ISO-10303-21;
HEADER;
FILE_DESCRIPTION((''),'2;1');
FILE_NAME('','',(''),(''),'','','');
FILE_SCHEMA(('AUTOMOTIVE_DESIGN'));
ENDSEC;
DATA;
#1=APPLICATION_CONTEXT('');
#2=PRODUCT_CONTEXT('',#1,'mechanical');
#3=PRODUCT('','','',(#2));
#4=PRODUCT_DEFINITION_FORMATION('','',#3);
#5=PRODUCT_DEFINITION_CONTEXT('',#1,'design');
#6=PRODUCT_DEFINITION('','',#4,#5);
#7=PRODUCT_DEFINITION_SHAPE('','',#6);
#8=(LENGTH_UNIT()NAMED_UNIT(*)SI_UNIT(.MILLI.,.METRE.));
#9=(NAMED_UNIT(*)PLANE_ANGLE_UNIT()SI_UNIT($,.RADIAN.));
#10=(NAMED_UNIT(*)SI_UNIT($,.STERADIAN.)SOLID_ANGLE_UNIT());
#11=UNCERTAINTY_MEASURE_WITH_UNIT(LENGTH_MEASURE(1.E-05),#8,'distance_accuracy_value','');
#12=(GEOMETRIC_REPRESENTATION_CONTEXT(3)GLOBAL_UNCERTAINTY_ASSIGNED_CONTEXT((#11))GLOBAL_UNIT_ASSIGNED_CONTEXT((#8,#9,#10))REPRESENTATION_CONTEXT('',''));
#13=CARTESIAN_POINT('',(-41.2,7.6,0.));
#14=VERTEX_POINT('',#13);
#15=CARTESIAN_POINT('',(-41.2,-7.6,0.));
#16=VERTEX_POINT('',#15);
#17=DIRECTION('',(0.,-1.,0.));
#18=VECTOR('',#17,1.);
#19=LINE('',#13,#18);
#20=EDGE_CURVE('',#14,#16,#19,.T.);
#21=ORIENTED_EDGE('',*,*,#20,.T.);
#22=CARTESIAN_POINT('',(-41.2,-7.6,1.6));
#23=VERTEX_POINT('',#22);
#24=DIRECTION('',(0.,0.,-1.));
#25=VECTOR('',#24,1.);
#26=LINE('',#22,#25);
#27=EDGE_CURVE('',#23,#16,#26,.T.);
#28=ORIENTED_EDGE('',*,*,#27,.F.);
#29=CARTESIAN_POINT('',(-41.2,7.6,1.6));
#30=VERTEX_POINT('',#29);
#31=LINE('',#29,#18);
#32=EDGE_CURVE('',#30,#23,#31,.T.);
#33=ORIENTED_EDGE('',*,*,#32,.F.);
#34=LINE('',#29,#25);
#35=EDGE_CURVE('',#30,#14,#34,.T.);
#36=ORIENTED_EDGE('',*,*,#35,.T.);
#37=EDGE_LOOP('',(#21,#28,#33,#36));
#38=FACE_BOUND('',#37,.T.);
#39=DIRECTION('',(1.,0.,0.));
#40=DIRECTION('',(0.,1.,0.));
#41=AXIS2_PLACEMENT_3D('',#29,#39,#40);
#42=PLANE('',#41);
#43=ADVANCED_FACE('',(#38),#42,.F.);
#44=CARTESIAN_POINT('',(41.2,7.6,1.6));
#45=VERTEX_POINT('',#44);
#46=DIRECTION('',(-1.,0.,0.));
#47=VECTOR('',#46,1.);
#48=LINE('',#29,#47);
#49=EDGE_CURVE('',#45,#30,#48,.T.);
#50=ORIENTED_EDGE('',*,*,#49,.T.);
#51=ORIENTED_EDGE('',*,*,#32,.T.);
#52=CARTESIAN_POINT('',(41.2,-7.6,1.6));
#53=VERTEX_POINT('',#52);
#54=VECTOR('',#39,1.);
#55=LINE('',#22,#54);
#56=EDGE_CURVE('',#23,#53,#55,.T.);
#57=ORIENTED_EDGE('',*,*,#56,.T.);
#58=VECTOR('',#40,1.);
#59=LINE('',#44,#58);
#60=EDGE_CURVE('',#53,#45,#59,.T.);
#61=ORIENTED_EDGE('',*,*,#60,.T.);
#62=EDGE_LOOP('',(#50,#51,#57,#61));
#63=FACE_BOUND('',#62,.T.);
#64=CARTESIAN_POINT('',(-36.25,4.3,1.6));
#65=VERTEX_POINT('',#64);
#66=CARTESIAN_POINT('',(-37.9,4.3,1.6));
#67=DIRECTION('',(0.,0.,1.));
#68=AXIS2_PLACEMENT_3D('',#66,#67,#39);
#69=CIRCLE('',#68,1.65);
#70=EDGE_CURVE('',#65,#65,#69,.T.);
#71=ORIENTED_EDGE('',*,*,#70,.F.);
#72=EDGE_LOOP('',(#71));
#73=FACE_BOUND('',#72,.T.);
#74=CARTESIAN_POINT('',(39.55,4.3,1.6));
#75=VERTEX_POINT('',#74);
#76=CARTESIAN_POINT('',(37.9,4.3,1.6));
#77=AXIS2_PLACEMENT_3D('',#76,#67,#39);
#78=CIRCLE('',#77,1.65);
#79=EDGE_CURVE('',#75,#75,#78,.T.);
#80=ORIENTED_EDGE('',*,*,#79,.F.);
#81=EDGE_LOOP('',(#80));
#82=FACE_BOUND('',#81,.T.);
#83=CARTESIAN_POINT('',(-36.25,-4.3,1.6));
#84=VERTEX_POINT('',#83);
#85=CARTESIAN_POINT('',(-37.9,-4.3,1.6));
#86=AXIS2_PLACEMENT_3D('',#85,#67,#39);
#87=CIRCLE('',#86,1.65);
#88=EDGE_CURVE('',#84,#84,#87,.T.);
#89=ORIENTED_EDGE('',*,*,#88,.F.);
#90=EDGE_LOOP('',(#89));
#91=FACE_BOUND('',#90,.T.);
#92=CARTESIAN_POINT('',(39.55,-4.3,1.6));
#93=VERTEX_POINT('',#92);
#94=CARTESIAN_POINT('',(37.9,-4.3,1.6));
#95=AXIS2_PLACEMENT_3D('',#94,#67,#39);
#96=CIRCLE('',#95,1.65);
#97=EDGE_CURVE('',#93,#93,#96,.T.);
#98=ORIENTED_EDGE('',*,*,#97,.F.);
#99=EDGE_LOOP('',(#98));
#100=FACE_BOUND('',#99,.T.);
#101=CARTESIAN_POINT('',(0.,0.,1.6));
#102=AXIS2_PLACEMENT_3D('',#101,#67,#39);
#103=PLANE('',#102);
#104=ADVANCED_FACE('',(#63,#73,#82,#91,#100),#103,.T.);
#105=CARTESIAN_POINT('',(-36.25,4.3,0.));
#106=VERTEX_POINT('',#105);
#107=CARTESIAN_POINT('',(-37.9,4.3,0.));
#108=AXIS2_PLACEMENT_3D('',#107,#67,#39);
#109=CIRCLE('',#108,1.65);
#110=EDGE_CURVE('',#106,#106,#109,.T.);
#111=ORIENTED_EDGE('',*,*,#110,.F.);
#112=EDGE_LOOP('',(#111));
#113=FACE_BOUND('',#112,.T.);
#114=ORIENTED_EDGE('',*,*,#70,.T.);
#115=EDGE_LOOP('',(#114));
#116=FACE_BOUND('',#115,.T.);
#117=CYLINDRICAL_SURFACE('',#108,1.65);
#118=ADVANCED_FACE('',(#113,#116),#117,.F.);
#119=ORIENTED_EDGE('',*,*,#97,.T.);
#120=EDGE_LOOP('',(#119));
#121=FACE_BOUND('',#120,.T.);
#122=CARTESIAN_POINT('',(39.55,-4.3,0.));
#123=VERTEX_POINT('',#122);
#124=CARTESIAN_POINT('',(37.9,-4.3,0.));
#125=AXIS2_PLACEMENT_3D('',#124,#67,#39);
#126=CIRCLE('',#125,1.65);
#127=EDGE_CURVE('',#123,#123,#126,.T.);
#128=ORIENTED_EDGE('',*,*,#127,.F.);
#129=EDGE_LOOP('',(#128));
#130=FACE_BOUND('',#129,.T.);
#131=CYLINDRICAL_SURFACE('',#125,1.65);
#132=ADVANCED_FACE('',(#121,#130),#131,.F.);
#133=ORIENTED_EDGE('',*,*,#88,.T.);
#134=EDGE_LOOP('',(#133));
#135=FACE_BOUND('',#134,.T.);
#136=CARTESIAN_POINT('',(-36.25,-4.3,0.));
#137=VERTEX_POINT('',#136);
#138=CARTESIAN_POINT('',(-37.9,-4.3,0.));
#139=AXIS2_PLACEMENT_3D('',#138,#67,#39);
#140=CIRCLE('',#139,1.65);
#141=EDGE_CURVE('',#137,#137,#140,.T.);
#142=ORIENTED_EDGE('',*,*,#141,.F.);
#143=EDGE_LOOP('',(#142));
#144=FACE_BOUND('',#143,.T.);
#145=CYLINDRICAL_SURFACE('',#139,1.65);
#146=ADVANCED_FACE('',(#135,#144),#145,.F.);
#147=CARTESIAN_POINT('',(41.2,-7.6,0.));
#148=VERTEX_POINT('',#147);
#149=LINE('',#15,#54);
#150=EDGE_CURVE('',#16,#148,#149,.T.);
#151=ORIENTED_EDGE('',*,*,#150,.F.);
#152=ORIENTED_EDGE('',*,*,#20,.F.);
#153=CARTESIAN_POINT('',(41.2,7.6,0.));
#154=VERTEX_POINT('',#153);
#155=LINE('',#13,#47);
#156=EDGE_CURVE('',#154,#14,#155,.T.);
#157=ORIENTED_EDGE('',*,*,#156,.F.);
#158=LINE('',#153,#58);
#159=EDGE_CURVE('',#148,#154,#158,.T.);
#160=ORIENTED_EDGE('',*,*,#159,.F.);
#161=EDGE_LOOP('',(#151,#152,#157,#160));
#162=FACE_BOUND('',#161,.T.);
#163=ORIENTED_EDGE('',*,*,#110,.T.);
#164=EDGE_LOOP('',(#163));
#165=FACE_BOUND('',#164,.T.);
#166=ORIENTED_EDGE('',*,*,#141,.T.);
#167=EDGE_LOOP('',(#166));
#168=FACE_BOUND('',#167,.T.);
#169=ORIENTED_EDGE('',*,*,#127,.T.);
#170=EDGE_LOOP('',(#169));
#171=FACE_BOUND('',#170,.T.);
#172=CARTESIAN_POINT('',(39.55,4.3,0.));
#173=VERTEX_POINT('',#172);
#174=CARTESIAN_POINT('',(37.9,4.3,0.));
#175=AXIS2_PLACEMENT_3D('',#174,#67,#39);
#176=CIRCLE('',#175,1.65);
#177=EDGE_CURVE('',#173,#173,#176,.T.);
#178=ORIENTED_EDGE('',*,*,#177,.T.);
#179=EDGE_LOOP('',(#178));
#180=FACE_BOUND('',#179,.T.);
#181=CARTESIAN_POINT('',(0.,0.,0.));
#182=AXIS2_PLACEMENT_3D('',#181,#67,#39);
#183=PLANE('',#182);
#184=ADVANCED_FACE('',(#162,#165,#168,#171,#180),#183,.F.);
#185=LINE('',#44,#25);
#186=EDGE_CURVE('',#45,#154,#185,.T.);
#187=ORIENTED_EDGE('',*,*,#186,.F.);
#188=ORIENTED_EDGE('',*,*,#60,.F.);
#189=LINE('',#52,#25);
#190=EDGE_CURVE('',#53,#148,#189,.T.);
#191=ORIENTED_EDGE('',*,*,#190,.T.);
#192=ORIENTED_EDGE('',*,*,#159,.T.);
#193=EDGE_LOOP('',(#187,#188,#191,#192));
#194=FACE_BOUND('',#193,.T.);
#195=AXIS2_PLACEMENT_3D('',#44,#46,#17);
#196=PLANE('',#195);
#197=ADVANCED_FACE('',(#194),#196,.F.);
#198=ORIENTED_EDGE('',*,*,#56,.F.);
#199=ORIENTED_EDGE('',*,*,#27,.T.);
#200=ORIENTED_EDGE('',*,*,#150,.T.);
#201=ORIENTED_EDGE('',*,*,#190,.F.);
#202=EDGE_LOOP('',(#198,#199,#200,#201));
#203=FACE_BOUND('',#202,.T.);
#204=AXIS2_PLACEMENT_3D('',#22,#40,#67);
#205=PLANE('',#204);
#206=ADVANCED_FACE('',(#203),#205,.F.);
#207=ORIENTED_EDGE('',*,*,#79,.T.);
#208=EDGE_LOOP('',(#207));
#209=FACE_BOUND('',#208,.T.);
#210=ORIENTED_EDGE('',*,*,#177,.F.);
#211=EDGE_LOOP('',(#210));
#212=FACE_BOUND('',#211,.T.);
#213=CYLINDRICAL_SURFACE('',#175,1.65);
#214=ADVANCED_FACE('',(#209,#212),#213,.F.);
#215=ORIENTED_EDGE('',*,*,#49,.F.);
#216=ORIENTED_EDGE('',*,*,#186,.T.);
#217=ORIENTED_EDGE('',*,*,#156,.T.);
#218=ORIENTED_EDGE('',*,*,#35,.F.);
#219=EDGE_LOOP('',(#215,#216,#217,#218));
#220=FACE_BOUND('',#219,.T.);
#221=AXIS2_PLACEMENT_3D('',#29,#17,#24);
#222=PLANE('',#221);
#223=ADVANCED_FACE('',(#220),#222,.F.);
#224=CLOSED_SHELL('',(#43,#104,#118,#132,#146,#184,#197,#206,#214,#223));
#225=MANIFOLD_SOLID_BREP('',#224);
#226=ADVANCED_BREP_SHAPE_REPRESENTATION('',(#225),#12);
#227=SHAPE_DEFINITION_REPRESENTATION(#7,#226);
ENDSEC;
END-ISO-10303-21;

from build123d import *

# Parameters (mm, degrees)
SKETCH_1_W          = 82.4
SKETCH_1_H          = 15.2
EXTRUDE_1_DEPTH     = 1.6
SKETCH_2_R          = 1.65
CUT_EXTRUDE_1_DEPTH = 1.6


with BuildPart() as part:
    # Эскиз1 → Бобышка-Вытянуть1 (new body)
    with BuildSketch(Plane.XY):
        Rectangle(SKETCH_1_W, SKETCH_1_H)
    extrude(amount=EXTRUDE_1_DEPTH)

    # Эскиз2 → Вырез-Вытянуть1 (cut)
    with BuildSketch(Plane.XY.offset(1.6)):
        with Locations((-37.9, 4.3)):
            Circle(SKETCH_2_R)
        with Locations((-37.9, -4.3)):
            Circle(SKETCH_2_R)
        with Locations((37.9, 4.3)):
            Circle(SKETCH_2_R)
        with Locations((37.9, -4.3)):
            Circle(SKETCH_2_R)
    extrude(amount=-CUT_EXTRUDE_1_DEPTH, mode=Mode.SUBTRACT)


solid = part.part
